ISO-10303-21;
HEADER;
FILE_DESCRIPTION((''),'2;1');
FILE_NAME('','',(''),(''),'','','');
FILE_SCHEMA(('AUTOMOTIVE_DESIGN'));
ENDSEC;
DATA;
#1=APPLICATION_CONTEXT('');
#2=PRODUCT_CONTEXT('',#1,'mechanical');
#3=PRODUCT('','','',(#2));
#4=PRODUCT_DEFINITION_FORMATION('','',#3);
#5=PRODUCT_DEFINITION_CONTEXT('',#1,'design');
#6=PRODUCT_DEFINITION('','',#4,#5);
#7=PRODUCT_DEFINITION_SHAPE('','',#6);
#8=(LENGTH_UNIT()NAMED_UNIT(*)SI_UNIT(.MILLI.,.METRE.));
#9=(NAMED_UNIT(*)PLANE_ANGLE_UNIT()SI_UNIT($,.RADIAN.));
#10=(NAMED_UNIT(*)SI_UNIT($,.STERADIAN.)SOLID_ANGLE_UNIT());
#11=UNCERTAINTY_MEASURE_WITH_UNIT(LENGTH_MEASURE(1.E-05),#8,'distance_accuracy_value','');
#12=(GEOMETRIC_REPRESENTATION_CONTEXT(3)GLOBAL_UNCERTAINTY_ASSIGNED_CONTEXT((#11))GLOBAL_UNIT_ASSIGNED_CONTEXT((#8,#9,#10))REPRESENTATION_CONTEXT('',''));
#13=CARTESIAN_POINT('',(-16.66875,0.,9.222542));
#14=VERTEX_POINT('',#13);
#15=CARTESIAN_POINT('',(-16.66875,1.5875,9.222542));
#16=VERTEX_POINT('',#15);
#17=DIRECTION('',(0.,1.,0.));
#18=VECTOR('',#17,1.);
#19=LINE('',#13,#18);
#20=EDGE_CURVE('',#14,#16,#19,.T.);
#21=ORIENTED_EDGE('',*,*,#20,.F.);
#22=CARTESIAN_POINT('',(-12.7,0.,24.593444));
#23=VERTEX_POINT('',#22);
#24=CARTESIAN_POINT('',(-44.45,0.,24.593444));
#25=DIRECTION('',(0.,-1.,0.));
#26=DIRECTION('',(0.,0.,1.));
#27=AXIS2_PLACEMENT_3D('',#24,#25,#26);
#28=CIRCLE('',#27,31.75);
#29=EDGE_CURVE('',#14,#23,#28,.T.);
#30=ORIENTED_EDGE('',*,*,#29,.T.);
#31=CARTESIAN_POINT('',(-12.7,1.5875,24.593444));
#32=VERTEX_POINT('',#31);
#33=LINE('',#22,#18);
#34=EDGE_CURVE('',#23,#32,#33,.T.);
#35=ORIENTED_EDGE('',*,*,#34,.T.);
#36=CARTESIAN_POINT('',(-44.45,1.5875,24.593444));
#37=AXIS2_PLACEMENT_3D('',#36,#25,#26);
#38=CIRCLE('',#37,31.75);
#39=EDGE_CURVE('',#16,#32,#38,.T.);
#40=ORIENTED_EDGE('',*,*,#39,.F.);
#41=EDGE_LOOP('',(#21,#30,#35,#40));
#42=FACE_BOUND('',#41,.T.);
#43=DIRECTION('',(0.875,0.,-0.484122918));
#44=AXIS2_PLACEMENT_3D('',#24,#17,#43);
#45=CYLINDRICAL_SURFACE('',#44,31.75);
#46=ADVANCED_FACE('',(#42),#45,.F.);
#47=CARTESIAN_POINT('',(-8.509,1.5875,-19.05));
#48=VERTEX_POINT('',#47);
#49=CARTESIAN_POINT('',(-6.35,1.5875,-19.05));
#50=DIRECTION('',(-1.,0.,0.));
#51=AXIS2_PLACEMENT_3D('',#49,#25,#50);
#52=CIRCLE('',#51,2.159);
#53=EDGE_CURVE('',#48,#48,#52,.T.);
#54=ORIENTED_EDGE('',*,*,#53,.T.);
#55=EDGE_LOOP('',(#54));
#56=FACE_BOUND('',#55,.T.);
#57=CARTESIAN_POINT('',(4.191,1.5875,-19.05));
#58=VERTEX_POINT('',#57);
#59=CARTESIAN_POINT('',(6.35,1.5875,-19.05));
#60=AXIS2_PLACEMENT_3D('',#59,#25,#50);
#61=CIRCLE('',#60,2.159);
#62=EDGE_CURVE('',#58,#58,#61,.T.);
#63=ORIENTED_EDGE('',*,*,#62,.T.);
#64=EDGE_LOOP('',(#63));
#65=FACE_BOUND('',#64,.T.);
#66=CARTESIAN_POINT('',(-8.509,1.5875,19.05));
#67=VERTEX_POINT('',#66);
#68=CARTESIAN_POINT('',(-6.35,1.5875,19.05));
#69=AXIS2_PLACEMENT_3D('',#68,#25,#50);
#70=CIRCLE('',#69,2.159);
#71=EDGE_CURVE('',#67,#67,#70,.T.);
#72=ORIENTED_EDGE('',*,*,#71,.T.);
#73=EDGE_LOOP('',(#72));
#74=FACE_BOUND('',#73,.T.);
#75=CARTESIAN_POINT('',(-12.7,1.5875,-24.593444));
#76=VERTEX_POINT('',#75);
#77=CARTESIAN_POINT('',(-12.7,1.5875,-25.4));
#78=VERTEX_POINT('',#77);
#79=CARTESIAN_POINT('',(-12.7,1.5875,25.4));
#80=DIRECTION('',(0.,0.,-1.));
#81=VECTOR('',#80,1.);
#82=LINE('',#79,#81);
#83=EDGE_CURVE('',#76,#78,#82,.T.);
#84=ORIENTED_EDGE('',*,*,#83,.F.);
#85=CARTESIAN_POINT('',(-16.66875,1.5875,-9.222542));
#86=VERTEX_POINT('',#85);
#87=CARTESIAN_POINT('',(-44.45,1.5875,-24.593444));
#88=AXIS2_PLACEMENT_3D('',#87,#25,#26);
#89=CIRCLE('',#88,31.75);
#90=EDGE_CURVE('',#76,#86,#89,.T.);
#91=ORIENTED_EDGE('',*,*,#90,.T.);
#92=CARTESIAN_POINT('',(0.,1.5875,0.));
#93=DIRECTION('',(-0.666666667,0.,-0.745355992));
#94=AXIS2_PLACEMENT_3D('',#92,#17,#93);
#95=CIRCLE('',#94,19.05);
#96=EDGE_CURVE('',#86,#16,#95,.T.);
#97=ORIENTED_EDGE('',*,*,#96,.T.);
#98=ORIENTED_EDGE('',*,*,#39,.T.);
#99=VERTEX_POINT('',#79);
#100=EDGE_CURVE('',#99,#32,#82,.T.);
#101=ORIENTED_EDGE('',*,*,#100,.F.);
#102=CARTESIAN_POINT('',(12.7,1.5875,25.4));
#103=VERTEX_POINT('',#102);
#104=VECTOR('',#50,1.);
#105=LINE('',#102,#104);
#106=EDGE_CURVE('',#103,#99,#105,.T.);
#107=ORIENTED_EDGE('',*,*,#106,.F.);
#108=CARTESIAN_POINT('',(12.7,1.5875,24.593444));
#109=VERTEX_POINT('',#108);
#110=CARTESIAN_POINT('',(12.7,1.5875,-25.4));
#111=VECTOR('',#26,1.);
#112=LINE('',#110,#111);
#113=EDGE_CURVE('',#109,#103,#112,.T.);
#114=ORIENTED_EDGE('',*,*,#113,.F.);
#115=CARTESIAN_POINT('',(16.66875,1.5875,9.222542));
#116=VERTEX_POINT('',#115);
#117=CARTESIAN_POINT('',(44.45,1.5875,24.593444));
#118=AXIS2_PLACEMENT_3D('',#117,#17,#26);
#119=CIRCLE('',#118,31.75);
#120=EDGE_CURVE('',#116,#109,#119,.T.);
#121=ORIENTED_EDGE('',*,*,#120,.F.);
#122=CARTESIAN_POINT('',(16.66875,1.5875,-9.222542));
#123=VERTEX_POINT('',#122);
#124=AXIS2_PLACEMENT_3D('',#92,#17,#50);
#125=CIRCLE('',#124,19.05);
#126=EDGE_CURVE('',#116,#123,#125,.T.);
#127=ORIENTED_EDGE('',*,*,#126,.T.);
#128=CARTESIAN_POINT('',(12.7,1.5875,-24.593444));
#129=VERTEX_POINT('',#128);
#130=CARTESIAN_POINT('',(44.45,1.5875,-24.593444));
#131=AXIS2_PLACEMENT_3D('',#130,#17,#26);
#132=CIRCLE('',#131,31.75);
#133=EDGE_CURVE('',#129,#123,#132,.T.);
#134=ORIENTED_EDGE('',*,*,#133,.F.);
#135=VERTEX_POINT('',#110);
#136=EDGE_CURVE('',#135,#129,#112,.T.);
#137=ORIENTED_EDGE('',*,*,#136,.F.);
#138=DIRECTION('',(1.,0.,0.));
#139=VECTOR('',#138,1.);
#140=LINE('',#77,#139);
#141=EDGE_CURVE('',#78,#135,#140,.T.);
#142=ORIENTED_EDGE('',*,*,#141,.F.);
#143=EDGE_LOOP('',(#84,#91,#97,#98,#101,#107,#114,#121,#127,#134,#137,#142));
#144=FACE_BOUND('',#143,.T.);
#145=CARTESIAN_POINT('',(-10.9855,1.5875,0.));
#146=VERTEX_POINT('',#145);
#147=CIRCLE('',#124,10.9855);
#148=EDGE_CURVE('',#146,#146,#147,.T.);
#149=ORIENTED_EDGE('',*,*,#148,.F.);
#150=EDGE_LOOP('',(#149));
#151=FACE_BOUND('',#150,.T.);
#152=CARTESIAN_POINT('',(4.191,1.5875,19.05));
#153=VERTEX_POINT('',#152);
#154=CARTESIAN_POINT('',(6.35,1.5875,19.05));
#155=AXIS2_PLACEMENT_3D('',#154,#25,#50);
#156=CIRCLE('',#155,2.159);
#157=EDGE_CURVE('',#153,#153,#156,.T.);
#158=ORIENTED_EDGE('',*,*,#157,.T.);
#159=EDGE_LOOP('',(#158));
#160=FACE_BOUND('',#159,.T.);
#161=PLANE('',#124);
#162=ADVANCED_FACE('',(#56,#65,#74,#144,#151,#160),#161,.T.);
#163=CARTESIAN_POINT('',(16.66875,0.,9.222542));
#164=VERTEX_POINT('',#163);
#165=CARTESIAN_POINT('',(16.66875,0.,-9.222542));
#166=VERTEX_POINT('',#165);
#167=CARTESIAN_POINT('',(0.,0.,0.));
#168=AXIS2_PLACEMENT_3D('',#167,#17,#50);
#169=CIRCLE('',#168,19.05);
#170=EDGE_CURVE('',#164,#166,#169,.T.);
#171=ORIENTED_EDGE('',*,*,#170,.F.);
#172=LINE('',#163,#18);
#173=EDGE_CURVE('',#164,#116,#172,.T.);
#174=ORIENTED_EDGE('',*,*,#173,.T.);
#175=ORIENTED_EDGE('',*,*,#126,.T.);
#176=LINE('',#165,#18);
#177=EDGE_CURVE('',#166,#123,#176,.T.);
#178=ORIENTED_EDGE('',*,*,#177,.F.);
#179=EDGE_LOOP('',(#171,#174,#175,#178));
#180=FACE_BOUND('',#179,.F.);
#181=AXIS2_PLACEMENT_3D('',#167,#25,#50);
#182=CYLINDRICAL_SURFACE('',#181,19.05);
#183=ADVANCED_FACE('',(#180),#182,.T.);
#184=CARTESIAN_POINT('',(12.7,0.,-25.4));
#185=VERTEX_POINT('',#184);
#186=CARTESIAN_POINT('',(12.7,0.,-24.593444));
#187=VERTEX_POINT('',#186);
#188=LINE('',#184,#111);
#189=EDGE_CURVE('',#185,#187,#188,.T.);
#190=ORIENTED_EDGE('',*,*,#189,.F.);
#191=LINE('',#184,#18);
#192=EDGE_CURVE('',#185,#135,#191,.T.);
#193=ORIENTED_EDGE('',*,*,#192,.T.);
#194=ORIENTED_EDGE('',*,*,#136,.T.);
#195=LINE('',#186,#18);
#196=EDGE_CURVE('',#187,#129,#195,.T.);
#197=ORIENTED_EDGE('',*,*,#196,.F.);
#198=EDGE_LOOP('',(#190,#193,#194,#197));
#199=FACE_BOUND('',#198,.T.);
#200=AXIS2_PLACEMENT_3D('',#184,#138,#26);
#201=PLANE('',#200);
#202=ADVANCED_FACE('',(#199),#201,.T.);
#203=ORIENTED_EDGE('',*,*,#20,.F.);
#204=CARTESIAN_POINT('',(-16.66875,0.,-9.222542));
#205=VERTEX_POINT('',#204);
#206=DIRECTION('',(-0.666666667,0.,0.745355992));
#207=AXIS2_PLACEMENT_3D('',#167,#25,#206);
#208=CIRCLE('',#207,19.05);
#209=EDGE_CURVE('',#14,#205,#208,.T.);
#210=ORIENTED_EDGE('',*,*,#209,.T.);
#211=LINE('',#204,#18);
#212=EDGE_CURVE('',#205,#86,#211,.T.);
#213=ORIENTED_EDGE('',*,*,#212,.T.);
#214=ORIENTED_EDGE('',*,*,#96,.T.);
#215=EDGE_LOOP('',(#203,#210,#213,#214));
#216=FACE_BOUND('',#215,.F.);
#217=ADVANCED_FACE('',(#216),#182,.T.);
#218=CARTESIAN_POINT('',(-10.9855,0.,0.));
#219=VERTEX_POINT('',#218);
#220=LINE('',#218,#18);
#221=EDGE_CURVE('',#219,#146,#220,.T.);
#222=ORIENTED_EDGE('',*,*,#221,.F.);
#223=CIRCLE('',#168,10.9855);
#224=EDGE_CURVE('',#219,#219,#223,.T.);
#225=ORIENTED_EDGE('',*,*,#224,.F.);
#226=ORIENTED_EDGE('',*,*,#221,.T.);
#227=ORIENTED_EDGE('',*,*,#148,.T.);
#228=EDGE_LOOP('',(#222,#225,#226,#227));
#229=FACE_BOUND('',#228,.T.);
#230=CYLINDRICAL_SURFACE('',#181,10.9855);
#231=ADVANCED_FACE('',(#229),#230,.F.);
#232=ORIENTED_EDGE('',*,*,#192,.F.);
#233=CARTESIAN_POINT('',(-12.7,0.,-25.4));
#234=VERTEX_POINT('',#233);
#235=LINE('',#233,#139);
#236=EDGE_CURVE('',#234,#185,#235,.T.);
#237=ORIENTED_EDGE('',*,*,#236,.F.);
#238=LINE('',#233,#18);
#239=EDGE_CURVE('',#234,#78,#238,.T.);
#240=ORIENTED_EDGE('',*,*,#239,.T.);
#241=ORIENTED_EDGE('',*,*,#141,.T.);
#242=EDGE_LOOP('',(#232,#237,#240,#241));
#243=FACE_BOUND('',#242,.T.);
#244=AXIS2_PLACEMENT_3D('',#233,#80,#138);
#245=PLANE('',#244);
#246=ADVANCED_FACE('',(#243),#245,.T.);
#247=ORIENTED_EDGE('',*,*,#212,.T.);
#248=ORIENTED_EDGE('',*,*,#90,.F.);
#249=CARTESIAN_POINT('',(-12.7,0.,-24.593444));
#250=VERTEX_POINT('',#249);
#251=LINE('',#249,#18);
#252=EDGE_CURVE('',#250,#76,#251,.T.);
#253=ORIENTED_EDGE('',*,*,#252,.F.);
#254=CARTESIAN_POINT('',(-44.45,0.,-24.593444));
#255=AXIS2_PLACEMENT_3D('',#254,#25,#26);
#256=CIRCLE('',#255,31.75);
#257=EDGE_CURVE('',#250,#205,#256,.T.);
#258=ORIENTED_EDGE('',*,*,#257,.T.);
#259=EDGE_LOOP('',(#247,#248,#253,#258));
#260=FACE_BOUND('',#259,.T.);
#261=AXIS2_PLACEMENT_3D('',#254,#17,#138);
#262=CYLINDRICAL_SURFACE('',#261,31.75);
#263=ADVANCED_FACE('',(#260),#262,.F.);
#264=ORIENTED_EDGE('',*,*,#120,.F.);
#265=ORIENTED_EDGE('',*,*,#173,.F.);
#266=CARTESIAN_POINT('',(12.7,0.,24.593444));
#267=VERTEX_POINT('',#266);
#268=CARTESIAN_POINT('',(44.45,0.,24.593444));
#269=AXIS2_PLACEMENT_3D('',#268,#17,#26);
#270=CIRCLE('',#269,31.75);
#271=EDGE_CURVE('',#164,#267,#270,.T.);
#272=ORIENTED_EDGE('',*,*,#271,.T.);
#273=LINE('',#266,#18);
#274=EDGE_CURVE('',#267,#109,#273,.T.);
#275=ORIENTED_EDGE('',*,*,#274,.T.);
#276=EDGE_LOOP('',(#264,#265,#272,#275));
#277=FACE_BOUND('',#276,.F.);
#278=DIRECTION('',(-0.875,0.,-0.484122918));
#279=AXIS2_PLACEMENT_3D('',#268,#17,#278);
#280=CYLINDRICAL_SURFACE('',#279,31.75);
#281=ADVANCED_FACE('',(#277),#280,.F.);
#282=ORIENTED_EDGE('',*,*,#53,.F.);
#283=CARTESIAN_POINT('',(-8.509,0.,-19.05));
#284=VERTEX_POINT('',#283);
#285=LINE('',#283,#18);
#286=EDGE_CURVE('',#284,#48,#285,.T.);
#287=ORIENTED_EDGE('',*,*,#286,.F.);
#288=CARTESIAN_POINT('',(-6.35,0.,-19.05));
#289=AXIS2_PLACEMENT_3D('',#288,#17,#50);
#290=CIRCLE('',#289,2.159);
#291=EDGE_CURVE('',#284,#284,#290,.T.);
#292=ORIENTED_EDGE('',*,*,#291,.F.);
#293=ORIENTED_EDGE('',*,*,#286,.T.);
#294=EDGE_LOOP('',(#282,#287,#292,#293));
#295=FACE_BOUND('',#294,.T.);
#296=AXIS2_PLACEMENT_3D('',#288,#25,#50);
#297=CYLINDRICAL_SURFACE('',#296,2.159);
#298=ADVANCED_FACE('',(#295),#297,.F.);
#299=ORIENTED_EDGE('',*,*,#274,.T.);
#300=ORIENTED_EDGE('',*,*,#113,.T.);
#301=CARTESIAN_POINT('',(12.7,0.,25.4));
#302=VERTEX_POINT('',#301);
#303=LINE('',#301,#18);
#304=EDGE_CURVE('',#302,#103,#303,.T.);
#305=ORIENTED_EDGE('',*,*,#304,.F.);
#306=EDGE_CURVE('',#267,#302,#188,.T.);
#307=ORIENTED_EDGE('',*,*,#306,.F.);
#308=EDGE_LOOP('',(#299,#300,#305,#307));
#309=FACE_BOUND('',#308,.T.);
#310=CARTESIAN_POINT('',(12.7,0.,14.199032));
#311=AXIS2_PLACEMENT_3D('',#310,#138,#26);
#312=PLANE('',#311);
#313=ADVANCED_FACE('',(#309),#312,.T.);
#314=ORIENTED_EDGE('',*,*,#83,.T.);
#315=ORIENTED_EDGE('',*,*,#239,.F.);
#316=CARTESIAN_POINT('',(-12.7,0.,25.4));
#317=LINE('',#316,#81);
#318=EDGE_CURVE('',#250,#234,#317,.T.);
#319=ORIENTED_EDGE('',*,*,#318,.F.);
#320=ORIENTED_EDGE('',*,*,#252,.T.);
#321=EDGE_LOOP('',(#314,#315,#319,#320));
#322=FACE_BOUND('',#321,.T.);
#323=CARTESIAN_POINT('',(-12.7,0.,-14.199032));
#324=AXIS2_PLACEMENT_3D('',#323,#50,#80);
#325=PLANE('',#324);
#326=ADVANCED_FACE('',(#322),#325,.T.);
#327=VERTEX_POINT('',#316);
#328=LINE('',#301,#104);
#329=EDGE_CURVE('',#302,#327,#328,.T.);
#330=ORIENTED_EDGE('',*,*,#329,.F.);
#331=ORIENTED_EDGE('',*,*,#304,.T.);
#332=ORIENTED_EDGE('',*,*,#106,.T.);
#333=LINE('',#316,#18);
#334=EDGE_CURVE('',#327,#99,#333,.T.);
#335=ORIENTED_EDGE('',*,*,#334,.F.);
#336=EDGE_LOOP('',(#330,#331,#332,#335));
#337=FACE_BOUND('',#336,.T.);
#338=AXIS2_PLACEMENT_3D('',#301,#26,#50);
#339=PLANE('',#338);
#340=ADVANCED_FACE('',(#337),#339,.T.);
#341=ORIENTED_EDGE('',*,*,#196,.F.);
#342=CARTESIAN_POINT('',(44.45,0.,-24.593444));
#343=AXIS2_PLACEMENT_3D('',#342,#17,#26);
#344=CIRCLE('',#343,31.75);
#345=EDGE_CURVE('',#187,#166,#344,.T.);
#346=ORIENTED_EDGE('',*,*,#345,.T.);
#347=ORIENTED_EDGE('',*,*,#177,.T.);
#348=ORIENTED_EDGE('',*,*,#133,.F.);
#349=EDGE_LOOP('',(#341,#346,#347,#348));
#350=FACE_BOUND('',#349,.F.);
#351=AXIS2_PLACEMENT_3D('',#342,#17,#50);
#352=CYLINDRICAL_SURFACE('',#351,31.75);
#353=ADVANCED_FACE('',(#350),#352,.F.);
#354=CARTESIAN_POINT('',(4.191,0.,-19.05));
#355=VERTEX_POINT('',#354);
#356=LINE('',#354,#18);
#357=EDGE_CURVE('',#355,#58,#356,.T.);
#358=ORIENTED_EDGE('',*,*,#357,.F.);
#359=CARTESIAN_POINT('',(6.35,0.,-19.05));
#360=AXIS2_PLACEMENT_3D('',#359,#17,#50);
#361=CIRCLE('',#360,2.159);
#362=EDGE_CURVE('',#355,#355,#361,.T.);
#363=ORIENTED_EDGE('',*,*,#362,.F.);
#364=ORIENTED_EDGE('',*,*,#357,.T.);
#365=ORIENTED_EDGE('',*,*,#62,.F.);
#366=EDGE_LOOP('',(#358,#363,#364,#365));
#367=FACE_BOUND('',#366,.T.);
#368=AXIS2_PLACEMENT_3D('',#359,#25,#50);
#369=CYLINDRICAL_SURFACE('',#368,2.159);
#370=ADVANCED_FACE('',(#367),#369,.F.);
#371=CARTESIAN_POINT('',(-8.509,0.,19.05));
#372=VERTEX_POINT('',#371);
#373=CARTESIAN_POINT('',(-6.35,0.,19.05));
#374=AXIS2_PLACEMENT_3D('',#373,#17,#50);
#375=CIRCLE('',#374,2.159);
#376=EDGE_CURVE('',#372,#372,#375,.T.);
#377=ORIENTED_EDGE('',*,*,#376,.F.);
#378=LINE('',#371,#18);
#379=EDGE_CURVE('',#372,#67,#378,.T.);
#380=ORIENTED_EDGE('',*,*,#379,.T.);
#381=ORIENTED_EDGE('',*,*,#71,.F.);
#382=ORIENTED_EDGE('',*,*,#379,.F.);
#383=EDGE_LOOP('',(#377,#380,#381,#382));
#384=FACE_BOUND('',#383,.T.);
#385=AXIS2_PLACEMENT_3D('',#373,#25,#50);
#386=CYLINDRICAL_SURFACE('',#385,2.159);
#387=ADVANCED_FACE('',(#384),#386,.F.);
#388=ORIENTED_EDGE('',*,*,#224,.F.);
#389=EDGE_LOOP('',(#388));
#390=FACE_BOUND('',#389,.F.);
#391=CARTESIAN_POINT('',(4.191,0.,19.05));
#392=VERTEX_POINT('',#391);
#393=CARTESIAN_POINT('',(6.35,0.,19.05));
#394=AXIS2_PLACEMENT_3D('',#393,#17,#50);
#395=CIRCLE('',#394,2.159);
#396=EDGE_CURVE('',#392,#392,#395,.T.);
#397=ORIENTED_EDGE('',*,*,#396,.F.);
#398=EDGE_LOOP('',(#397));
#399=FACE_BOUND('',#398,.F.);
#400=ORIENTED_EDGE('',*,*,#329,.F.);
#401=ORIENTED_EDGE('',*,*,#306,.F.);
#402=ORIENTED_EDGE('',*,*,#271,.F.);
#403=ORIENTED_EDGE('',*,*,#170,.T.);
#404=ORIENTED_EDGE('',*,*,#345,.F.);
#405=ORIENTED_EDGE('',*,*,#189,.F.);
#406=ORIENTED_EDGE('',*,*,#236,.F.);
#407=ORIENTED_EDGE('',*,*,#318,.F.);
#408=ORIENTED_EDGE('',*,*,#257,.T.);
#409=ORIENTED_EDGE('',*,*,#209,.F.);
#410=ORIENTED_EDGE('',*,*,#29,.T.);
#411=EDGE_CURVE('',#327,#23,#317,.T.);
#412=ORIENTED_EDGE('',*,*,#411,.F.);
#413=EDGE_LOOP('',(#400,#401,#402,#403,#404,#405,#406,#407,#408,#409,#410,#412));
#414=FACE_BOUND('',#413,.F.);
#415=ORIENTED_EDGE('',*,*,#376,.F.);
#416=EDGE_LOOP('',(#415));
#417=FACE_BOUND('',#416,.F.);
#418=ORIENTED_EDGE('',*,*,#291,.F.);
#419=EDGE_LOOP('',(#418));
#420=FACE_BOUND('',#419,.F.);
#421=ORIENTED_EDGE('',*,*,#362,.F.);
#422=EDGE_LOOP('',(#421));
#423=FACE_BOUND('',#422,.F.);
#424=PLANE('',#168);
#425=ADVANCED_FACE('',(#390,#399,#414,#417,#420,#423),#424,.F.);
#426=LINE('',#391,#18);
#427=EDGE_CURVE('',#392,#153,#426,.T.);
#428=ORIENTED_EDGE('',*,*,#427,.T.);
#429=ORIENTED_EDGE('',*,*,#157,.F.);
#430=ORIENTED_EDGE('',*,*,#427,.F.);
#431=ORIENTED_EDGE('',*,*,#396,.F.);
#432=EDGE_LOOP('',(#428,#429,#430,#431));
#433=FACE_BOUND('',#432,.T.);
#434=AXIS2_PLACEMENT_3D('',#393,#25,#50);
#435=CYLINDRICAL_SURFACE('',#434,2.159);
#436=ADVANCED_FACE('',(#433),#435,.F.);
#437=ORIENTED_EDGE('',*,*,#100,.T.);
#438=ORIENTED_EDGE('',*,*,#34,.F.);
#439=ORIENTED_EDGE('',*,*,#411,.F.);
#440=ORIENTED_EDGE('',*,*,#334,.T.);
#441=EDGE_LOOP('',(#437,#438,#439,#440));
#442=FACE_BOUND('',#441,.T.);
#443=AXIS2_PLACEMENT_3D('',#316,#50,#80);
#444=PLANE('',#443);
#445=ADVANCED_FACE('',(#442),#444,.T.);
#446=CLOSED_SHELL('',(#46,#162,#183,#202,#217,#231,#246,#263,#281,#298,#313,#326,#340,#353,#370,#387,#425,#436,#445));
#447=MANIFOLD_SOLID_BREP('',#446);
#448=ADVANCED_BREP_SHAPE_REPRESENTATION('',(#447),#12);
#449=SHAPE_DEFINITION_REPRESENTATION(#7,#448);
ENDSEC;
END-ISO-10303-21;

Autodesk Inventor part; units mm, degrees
ref_plane "YZ Plane" through (0, 0, 0) normal (1, 0, 0) x (0, 1, 0)
ref_plane "XZ Plane" through (0, 0, 0) normal (0, 1, 0) x (-1, 0, 0)
ref_plane "XY Plane" through (0, 0, 0) normal (0, 0, 1) x (1, 0, 0)
sketch "Sketch1" plane through (0, 0, 0) normal (0, 1, 0) x (-1, 0, 0)
  circle A0 centre (0, 0) radius 10.9855
  line L0 (12.7, -25.4) -> (-12.7, -25.4)
  line L1 (-12.7, -25.4) -> (-12.7, 25.4)
  line L2 (-12.7, 25.4) -> (12.7, 25.4)
  line L3 (12.7, 25.4) -> (12.7, -25.4)
  line L4 (12.7, -25.4) -> (-12.7, 25.4) construction
  line L5 (-12.7, -25.4) -> (12.7, 25.4) construction
  circle A1 centre (0, 0) radius 19.05
  circle A2 centre (-6.35, -19.05) radius 2.159
  circle A3 centre (6.35, -19.05) radius 2.159
  circle A4 centre (-6.35, 19.05) radius 2.159
  circle A5 centre (6.35, 19.05) radius 2.159
  point P0 (-12.7, -14.199)
  point P1 (12.7, -14.199)
  point P2 (12.7, 14.199)
  point P3 (-12.7, 14.199)
  dimension "d0" = 21.971
  dimension "d1" = 25.4
  dimension "d2" = 50.8
  dimension "d3" = 38.1
  dimension "d4" = 4.318
  dimension "d5" = 6.35
  dimension "d6" = 6.35
  dimension "d9" = 12.7
  dimension "d12" = 38.1
extrude "Extrusion1" add sketch "Sketch1" along normal blind 1.5875 contours L0 L1 A1 A2 A3 L3 | A1 A3 A2 L1 A4 A5 L3 | L3 A1 | A1 L1 | A1 A5 A4 L1 L2 L3
fillet "Fillet1" radius 31.75 4 edges at (12.7, 0.7937, 14.199) (12.7, 0.7937, -14.199) (-12.7, 0.7937, -14.199) (-12.7, 0.7937, 14.199)
properties part number "ball bearing holder" material "Acetal Resin, Black"
